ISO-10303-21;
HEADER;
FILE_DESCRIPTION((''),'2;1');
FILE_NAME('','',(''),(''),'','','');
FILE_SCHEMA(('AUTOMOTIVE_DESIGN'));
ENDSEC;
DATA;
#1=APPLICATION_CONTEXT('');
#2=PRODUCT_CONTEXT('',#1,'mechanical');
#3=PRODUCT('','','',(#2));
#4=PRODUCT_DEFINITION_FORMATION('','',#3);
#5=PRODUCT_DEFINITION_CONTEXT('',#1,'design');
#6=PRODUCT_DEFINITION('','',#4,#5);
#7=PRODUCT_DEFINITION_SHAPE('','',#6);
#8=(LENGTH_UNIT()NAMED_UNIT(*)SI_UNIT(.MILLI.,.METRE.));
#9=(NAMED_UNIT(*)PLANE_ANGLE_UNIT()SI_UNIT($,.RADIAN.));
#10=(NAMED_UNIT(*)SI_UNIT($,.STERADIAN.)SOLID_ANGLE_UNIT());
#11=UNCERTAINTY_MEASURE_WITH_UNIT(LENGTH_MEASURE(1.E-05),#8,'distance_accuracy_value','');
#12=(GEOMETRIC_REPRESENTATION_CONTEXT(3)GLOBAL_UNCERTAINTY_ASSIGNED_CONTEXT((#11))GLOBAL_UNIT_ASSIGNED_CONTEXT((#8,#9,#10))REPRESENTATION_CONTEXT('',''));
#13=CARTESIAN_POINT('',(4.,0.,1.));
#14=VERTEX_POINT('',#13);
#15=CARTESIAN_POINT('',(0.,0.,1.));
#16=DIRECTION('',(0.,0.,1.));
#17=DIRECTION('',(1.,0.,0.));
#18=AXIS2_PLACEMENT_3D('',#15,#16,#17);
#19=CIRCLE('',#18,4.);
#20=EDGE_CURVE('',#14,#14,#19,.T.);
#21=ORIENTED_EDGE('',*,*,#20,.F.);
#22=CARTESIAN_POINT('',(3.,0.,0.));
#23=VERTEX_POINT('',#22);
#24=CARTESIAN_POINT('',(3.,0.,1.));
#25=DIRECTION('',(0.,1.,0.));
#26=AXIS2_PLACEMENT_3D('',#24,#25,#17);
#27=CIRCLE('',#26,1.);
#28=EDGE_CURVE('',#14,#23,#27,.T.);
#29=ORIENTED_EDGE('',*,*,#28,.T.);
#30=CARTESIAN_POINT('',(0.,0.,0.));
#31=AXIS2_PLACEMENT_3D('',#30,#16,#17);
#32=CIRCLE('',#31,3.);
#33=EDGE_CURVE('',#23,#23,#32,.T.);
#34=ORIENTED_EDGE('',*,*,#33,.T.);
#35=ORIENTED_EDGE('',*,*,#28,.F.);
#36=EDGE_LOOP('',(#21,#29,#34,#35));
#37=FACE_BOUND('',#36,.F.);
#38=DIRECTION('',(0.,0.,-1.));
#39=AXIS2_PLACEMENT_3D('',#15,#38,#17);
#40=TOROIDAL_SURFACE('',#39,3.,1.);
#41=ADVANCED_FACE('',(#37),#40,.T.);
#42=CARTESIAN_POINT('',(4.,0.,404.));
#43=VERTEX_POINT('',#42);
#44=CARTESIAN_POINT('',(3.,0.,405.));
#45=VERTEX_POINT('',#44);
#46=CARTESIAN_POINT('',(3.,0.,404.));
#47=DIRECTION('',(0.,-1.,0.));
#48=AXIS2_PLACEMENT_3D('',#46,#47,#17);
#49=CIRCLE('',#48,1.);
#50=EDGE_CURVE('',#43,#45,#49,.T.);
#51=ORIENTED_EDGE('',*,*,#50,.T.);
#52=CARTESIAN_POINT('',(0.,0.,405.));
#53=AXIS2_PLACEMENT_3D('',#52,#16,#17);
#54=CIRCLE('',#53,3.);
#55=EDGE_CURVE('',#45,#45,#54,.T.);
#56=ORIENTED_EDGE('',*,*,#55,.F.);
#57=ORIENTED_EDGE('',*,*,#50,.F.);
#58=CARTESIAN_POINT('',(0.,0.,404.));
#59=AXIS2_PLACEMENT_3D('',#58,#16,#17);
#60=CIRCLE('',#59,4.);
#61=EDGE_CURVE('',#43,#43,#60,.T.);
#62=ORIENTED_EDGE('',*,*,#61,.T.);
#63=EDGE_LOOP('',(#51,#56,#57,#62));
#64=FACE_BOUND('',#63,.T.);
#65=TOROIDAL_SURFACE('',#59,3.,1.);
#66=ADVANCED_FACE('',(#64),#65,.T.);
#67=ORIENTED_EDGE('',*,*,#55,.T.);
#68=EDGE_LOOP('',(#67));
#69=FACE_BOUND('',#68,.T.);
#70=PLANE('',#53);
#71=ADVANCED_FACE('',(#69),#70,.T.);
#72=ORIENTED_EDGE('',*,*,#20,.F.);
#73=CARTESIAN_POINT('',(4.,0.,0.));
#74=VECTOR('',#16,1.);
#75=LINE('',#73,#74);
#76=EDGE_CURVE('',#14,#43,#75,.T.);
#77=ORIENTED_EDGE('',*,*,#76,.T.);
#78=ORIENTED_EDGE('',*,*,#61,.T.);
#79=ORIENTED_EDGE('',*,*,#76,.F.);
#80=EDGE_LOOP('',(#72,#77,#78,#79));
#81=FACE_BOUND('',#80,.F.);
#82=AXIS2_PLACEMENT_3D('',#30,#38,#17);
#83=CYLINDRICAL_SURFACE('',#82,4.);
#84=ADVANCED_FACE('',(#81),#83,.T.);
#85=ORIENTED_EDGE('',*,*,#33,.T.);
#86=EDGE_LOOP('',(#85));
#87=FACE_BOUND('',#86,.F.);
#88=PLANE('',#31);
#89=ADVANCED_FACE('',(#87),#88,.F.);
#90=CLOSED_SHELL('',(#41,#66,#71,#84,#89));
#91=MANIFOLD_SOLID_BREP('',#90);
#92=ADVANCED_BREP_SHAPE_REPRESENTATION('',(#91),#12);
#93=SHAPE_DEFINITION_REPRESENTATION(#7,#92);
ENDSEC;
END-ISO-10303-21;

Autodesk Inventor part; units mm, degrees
ref_plane "YZ Plane" through (0, 0, 0) normal (1, 0, 0) x (0, 1, 0)
ref_plane "XZ Plane" through (0, 0, 0) normal (0, 1, 0) x (-1, 0, 0)
ref_plane "XY Plane" through (0, 0, 0) normal (0, 0, 1) x (1, 0, 0)
sketch "Sketch1" plane through (0, 0, 0) normal (0, 0, 1) x (1, 0, 0)
  circle A0 centre (0, 0) radius 4
  dimension "d0" = 8
extrude "Extrusion1" add sketch "Sketch1" along normal blind 405
fillet "Fillet1" radius 1 2 edges at (-4, 0, 405) (-4, 0, 0)
properties part number "z_axis_rod" material "Stainless Steel, Austenitic"
